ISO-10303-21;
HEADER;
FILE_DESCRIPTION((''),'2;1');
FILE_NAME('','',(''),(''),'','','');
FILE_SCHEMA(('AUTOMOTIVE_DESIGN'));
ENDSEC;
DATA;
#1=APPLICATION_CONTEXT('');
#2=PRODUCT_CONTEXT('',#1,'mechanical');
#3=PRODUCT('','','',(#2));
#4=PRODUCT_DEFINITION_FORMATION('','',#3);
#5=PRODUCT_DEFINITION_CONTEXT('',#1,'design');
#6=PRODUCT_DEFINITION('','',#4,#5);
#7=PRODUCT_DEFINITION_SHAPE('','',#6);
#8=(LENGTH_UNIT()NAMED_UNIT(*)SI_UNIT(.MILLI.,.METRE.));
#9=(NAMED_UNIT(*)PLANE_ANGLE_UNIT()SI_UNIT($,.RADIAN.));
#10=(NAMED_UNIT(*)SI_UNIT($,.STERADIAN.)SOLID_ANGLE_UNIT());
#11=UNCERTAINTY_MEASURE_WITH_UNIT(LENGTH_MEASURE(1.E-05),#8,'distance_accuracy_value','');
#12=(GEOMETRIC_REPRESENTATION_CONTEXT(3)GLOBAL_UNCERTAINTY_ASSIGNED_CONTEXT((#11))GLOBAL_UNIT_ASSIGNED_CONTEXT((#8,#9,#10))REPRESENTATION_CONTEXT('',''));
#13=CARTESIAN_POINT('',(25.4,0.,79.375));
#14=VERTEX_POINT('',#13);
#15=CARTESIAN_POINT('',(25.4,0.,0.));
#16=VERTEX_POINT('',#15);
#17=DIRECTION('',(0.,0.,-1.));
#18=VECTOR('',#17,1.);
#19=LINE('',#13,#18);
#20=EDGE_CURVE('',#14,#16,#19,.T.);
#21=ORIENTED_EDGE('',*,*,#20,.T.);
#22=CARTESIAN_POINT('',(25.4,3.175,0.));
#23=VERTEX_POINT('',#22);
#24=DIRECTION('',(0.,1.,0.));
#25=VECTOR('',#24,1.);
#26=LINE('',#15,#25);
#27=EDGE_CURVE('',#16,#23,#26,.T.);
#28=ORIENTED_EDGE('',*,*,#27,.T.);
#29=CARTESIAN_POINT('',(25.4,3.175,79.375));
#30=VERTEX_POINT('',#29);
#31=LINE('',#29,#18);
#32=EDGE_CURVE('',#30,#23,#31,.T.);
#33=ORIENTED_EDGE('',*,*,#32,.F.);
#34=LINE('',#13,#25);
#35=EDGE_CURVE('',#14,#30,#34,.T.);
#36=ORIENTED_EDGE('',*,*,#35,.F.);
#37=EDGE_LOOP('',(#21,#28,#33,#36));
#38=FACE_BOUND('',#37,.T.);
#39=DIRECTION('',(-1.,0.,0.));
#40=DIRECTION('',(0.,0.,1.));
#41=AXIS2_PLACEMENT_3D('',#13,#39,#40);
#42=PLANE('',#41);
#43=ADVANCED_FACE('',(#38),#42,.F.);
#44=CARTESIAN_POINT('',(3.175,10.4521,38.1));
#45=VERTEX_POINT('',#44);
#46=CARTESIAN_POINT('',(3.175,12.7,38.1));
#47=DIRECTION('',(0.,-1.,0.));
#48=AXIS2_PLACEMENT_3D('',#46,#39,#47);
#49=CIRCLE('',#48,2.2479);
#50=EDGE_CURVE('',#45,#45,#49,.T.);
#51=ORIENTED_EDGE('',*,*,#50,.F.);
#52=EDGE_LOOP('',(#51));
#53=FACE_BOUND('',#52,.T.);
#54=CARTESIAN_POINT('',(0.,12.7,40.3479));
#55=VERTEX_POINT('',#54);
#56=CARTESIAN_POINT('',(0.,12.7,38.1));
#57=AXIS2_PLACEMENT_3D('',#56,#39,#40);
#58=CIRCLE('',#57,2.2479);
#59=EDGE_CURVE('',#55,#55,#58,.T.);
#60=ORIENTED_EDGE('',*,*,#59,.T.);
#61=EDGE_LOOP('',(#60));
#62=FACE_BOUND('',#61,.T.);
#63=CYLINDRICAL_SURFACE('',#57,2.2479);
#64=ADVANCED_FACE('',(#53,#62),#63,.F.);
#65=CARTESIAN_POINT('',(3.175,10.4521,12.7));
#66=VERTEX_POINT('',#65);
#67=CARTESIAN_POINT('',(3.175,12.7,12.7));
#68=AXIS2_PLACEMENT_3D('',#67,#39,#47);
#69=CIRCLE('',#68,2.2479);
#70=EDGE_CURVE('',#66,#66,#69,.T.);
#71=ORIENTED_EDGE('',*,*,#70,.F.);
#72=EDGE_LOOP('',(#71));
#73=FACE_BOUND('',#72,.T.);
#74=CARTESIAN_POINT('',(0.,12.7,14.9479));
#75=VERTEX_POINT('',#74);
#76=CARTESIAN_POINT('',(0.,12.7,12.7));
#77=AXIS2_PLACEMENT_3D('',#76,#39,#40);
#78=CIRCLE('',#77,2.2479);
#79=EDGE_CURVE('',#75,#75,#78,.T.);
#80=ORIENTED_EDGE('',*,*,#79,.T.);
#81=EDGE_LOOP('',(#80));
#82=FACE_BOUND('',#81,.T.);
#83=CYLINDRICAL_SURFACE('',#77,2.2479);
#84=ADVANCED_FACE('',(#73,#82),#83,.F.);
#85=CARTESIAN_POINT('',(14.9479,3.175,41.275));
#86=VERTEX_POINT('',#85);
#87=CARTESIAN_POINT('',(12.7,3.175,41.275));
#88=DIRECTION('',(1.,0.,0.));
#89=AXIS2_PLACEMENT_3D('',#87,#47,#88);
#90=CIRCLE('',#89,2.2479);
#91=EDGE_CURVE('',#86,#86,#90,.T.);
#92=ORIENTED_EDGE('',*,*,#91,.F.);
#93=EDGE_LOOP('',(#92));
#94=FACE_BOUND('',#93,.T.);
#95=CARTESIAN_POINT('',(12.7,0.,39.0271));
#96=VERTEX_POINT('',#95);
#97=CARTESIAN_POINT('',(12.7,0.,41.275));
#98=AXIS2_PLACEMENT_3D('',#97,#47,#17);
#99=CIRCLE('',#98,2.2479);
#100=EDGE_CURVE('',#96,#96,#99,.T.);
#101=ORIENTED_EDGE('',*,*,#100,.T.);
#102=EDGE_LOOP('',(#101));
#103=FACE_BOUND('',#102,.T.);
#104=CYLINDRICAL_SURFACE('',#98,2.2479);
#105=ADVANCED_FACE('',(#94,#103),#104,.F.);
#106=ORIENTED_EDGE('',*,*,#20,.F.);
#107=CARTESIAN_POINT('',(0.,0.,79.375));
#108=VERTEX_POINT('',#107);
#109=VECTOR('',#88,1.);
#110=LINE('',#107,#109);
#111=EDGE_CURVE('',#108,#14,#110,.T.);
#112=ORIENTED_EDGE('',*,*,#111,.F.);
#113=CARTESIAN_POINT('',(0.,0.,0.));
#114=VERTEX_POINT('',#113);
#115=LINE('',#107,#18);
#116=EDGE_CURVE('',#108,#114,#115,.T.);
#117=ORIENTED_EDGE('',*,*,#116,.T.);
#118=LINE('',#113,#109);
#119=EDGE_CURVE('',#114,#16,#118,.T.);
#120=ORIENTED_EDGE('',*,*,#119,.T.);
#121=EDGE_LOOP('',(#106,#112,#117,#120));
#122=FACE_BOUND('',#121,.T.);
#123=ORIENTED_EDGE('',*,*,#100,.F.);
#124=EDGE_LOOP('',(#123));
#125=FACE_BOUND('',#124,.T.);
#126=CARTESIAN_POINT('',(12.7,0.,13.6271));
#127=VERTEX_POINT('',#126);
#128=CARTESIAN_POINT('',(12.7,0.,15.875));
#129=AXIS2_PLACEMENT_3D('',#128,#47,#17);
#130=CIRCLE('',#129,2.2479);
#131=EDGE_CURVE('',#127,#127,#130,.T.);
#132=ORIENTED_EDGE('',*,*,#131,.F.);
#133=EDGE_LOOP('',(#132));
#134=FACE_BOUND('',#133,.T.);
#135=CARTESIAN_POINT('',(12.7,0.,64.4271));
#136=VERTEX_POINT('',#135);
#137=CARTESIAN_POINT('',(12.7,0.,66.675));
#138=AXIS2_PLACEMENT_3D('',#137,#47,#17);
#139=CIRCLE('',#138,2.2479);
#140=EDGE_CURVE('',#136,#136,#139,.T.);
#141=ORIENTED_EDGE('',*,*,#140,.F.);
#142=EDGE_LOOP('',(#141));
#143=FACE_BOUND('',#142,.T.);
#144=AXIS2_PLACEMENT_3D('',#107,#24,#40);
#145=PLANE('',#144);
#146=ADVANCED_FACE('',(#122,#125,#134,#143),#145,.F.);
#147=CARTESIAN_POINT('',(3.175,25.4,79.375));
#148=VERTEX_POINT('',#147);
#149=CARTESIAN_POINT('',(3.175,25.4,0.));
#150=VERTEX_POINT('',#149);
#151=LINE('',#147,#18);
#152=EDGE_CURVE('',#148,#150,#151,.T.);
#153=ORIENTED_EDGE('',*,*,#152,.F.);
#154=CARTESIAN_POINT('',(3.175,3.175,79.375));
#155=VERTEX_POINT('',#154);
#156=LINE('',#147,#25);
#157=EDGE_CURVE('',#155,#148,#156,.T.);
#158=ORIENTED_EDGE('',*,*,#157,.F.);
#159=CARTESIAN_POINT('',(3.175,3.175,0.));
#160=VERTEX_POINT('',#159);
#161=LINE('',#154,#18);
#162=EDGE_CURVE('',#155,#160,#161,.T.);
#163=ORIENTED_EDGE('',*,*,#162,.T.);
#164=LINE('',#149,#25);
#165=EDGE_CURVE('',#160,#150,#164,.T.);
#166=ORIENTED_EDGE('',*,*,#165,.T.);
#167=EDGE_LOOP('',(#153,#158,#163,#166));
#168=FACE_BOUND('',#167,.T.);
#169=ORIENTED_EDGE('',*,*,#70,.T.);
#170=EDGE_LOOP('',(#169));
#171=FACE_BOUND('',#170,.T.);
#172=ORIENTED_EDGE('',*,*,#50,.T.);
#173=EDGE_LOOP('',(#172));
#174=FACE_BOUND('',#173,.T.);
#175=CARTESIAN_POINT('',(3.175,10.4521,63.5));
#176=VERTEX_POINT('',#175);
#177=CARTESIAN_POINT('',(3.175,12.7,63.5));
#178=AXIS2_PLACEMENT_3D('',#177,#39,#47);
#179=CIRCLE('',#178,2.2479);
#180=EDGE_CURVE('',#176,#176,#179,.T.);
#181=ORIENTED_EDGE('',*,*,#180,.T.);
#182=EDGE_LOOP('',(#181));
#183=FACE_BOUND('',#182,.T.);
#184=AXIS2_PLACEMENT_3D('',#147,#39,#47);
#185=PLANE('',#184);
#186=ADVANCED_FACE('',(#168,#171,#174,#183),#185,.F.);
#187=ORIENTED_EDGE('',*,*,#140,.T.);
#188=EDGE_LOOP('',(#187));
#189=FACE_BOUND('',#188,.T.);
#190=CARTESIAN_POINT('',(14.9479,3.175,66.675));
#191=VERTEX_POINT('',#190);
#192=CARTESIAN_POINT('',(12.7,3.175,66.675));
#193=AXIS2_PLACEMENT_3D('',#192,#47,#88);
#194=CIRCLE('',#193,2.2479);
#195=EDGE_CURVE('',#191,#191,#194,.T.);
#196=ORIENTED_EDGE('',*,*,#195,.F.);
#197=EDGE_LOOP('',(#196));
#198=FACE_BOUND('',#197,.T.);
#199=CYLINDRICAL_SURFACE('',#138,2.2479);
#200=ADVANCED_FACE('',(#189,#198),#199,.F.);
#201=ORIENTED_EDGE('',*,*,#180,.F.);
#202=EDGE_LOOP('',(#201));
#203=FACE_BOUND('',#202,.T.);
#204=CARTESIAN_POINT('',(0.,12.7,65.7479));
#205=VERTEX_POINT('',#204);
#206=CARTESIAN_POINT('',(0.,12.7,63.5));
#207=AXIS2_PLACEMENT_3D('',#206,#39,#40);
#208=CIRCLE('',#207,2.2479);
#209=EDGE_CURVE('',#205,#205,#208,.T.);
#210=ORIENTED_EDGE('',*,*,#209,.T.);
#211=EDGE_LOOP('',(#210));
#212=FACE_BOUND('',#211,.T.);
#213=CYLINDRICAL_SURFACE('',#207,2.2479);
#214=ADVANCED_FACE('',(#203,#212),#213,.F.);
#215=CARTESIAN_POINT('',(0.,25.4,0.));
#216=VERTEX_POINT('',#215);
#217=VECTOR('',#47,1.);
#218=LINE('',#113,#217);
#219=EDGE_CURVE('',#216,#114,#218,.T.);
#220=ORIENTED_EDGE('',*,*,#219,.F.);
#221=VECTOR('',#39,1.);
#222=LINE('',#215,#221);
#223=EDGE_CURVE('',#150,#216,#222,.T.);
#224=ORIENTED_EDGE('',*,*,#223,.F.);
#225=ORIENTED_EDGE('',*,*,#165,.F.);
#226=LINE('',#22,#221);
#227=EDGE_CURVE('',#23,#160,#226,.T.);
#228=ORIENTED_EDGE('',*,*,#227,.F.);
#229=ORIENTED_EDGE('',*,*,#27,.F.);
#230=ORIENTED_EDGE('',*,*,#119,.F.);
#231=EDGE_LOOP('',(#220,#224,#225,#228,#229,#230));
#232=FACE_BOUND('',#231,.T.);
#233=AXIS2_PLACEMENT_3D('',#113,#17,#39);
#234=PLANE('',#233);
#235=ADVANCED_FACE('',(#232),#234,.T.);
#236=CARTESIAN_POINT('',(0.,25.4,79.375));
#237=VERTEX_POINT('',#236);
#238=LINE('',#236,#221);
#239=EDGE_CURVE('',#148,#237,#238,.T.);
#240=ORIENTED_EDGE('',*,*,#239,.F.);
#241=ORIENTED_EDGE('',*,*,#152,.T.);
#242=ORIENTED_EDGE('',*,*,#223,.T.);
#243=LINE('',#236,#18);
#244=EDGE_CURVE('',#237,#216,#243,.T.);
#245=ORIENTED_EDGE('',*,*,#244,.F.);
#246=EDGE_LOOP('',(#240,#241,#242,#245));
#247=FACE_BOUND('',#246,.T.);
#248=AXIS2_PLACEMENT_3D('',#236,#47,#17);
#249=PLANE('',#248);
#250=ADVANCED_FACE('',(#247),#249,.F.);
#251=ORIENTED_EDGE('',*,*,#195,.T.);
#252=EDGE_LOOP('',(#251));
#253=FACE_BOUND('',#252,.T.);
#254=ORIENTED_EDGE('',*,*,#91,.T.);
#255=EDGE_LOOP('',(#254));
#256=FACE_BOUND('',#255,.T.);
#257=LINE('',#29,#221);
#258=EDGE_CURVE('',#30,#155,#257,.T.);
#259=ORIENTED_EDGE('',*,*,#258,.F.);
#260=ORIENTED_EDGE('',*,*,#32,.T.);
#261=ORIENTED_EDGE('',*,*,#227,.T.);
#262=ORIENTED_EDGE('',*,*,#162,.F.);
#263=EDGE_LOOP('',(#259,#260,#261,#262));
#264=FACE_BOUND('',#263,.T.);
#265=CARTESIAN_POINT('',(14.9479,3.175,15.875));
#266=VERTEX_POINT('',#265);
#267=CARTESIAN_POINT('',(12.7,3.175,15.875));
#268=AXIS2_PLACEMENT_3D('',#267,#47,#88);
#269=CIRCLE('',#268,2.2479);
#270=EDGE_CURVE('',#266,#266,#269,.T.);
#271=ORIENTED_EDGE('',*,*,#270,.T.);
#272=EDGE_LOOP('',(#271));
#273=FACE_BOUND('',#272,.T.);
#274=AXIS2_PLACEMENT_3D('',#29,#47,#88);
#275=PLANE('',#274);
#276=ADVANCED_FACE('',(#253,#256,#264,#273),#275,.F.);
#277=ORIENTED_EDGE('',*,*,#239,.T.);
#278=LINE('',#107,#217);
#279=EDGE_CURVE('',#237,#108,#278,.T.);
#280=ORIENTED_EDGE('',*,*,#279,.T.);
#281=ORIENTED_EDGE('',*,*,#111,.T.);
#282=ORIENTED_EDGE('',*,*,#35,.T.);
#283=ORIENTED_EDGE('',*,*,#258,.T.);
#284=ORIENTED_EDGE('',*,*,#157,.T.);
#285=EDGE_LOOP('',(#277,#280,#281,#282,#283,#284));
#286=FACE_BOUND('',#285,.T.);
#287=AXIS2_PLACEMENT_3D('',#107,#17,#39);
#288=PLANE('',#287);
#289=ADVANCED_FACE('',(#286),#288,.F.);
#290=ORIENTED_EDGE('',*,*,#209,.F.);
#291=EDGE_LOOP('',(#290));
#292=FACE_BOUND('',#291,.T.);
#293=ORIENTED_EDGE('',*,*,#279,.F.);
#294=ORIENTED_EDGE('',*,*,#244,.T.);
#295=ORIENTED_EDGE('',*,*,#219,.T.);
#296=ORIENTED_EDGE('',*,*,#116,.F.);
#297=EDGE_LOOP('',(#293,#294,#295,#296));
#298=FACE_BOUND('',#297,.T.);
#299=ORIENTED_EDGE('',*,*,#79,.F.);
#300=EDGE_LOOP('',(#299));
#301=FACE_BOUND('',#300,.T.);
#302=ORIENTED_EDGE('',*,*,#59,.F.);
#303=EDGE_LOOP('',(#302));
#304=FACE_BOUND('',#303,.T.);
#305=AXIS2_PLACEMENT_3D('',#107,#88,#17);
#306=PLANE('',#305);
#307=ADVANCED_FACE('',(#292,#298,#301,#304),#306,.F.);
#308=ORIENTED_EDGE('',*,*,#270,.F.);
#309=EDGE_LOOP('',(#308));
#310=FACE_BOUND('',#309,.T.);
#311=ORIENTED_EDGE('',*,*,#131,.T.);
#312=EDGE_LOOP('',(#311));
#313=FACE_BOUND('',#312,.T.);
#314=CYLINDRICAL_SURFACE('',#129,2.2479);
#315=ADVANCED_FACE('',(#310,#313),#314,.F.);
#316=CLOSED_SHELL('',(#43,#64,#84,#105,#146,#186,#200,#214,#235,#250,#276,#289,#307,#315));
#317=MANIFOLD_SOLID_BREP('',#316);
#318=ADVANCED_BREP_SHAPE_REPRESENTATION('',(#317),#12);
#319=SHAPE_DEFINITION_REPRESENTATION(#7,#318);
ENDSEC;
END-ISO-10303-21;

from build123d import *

# Parameters (mm, degrees)
BOSS_EXTRUDE1_DEPTH   = 79.375
F_8_CLEARANCE_HOLE1_D = 4.4958
F_8_CLEARANCE_HOLE2_D = 4.4958


with BuildPart() as part:
    # Sketch1 → Boss-Extrude1 (new body)
    with BuildSketch(Plane.XY):
        Polygon((0, 0), (25.4, 0), (25.4, 3.175), (3.175, 3.175), (3.175, 25.4), (0, 25.4), align=None)
    extrude(amount=BOSS_EXTRUDE1_DEPTH)

    # #8 Clearance Hole1 (through all)
    with Locations(Plane.XZ):
        with Locations((12.7, 66.675), (12.7, 41.275), (12.7, 15.875)):
            Hole(F_8_CLEARANCE_HOLE1_D / 2)

    # #8 Clearance Hole2 (through all)
    with Locations(Plane.ZY):
        with Locations((63.5, 12.7), (38.1, 12.7), (12.7, 12.7)):
            Hole(F_8_CLEARANCE_HOLE2_D / 2)


solid = part.part
